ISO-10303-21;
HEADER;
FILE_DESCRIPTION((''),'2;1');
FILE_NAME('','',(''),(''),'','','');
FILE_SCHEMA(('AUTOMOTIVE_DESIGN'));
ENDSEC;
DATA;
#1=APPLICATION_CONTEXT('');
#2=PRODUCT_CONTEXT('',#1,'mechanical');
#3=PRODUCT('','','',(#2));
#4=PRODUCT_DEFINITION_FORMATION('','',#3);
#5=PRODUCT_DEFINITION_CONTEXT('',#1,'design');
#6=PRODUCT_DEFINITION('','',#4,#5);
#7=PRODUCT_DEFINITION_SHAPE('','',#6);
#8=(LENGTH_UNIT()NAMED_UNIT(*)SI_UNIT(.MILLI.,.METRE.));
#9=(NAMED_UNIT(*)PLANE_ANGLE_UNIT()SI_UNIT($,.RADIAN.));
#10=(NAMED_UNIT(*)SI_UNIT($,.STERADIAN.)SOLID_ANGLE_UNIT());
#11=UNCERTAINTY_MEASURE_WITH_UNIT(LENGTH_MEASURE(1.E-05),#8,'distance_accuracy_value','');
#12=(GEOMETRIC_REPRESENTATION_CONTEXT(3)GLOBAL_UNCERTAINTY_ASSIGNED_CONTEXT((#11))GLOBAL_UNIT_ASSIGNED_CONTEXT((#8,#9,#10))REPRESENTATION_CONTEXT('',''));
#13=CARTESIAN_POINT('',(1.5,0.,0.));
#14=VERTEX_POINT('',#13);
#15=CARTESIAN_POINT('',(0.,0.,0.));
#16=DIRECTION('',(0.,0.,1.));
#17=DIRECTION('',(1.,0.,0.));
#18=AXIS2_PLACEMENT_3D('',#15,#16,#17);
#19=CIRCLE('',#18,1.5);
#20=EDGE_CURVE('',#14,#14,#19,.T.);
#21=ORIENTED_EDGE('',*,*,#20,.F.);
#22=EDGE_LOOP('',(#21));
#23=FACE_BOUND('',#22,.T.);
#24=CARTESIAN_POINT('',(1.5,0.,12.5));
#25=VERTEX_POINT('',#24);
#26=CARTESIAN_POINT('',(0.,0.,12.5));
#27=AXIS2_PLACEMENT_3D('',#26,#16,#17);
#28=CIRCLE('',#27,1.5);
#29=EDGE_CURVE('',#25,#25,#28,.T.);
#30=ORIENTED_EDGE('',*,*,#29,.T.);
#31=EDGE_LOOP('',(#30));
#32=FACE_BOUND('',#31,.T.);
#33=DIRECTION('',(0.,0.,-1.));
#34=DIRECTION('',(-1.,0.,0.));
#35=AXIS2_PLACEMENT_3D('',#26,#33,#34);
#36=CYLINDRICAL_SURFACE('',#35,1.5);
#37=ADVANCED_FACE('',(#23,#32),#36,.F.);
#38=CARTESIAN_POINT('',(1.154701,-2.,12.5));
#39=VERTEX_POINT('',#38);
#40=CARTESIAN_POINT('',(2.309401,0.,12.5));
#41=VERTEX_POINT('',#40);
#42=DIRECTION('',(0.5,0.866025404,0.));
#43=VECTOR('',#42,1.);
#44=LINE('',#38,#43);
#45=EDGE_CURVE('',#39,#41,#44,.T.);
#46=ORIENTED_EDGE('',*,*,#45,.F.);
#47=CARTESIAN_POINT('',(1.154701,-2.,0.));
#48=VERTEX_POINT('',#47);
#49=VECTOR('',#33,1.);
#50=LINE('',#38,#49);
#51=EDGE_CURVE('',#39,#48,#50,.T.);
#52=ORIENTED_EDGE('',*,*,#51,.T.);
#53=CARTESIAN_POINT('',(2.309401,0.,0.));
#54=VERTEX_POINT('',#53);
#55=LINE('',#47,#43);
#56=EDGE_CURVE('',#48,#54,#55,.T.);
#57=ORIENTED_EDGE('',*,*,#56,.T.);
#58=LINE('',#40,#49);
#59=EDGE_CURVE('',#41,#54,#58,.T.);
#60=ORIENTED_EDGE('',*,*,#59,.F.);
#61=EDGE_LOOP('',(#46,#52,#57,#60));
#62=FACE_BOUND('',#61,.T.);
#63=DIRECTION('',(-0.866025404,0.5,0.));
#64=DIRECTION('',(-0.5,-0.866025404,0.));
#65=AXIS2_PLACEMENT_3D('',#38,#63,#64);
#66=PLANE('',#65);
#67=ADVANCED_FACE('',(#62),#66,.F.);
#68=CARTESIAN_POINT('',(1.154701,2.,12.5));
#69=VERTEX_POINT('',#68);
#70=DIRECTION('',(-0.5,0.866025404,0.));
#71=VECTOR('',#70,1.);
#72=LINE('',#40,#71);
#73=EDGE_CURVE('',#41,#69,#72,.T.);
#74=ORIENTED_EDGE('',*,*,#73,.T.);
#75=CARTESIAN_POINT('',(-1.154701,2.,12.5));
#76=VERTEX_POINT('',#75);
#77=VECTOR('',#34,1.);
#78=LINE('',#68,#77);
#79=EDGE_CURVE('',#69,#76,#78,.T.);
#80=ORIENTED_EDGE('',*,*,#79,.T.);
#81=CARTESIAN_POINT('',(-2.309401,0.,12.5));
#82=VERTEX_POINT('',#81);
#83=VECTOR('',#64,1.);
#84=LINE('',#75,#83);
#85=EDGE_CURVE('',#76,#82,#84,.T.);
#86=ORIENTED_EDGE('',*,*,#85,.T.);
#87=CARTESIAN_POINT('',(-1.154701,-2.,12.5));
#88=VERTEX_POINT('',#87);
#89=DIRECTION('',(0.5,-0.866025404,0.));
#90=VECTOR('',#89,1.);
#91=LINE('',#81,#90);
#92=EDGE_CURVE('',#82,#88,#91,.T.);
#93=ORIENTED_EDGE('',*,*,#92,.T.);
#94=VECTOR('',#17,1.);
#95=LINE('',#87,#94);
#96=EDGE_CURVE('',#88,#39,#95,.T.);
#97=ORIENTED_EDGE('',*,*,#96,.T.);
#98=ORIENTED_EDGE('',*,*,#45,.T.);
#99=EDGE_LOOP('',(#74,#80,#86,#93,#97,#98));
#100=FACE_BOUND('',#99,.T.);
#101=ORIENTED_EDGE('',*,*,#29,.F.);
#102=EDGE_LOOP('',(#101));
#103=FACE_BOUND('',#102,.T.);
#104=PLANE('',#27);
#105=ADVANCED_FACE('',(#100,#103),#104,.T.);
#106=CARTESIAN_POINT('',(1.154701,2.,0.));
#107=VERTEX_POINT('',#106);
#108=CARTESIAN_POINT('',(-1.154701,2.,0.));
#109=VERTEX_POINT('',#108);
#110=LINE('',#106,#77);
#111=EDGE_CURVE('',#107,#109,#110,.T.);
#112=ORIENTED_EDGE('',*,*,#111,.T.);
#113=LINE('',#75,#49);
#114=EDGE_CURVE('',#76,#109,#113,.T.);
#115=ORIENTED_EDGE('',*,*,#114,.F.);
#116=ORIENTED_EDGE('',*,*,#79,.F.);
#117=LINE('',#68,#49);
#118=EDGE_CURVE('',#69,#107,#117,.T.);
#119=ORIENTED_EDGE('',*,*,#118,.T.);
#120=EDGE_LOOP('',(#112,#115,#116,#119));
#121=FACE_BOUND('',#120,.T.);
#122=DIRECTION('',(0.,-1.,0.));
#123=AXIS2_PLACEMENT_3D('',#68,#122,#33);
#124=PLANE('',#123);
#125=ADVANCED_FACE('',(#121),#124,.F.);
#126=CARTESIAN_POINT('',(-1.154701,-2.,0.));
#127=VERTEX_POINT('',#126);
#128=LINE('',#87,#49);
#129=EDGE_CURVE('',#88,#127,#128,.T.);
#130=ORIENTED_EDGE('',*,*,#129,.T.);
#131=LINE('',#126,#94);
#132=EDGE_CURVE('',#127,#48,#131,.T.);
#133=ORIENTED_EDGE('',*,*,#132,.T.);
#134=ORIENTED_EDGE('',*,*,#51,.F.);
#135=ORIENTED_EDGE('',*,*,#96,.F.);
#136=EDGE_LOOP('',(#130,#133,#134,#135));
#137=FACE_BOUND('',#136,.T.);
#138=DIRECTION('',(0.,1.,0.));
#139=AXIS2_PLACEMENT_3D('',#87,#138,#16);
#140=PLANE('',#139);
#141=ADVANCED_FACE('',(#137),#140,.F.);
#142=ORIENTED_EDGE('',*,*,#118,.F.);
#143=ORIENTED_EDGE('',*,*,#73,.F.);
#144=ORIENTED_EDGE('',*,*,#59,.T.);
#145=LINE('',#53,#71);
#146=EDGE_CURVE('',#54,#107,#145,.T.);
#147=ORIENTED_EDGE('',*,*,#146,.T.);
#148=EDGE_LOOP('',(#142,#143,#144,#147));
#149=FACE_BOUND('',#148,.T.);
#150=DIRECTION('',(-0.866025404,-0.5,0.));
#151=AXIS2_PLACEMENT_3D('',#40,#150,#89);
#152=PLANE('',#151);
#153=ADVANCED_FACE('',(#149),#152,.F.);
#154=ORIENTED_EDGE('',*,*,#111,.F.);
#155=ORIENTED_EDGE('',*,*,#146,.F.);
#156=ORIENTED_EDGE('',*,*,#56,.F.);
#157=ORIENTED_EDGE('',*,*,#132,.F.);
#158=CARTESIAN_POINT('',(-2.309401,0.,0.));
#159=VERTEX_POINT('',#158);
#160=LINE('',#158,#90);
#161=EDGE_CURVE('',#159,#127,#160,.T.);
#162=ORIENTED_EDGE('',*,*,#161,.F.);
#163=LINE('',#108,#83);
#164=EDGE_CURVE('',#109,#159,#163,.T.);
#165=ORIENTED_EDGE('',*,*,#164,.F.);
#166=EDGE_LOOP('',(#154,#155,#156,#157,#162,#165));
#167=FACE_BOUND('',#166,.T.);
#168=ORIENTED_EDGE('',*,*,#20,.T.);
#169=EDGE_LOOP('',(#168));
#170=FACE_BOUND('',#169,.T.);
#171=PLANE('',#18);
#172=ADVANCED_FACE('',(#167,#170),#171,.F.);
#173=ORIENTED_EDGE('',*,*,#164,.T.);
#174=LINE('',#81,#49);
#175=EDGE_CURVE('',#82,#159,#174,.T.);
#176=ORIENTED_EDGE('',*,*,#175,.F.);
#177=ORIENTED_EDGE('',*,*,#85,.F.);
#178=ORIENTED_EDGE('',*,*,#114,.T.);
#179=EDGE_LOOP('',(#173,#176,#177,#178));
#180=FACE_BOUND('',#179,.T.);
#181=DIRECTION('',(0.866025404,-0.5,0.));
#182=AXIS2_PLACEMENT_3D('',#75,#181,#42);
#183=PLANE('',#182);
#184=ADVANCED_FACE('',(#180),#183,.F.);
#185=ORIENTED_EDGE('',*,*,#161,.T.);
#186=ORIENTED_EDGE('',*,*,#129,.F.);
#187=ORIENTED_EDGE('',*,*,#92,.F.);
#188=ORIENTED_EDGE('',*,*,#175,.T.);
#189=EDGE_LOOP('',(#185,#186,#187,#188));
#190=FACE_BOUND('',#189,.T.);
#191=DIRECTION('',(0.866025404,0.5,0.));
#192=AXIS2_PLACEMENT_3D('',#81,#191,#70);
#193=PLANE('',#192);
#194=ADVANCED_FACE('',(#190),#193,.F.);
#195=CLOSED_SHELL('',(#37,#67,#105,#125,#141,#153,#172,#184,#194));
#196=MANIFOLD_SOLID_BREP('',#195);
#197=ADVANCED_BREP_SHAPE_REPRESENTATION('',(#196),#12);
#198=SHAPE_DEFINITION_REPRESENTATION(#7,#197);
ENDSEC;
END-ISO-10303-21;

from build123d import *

# Parameters (mm, degrees)
SKETCH_1_R      = 1.5
EXTRUDE_1_DEPTH = 12.5


with BuildPart() as part:
    # 草图1 → 凸台-拉伸1 (new body)
    with BuildSketch(Plane.XY):
        Polygon((2.309401077, 0), (1.154700538, 2), (-1.154700538, 2), (-2.309401077, 0), (-1.154700538, -2), (1.154700538, -2), align=None)
        Circle(SKETCH_1_R, mode=Mode.SUBTRACT)
    extrude(amount=EXTRUDE_1_DEPTH)


solid = part.part
